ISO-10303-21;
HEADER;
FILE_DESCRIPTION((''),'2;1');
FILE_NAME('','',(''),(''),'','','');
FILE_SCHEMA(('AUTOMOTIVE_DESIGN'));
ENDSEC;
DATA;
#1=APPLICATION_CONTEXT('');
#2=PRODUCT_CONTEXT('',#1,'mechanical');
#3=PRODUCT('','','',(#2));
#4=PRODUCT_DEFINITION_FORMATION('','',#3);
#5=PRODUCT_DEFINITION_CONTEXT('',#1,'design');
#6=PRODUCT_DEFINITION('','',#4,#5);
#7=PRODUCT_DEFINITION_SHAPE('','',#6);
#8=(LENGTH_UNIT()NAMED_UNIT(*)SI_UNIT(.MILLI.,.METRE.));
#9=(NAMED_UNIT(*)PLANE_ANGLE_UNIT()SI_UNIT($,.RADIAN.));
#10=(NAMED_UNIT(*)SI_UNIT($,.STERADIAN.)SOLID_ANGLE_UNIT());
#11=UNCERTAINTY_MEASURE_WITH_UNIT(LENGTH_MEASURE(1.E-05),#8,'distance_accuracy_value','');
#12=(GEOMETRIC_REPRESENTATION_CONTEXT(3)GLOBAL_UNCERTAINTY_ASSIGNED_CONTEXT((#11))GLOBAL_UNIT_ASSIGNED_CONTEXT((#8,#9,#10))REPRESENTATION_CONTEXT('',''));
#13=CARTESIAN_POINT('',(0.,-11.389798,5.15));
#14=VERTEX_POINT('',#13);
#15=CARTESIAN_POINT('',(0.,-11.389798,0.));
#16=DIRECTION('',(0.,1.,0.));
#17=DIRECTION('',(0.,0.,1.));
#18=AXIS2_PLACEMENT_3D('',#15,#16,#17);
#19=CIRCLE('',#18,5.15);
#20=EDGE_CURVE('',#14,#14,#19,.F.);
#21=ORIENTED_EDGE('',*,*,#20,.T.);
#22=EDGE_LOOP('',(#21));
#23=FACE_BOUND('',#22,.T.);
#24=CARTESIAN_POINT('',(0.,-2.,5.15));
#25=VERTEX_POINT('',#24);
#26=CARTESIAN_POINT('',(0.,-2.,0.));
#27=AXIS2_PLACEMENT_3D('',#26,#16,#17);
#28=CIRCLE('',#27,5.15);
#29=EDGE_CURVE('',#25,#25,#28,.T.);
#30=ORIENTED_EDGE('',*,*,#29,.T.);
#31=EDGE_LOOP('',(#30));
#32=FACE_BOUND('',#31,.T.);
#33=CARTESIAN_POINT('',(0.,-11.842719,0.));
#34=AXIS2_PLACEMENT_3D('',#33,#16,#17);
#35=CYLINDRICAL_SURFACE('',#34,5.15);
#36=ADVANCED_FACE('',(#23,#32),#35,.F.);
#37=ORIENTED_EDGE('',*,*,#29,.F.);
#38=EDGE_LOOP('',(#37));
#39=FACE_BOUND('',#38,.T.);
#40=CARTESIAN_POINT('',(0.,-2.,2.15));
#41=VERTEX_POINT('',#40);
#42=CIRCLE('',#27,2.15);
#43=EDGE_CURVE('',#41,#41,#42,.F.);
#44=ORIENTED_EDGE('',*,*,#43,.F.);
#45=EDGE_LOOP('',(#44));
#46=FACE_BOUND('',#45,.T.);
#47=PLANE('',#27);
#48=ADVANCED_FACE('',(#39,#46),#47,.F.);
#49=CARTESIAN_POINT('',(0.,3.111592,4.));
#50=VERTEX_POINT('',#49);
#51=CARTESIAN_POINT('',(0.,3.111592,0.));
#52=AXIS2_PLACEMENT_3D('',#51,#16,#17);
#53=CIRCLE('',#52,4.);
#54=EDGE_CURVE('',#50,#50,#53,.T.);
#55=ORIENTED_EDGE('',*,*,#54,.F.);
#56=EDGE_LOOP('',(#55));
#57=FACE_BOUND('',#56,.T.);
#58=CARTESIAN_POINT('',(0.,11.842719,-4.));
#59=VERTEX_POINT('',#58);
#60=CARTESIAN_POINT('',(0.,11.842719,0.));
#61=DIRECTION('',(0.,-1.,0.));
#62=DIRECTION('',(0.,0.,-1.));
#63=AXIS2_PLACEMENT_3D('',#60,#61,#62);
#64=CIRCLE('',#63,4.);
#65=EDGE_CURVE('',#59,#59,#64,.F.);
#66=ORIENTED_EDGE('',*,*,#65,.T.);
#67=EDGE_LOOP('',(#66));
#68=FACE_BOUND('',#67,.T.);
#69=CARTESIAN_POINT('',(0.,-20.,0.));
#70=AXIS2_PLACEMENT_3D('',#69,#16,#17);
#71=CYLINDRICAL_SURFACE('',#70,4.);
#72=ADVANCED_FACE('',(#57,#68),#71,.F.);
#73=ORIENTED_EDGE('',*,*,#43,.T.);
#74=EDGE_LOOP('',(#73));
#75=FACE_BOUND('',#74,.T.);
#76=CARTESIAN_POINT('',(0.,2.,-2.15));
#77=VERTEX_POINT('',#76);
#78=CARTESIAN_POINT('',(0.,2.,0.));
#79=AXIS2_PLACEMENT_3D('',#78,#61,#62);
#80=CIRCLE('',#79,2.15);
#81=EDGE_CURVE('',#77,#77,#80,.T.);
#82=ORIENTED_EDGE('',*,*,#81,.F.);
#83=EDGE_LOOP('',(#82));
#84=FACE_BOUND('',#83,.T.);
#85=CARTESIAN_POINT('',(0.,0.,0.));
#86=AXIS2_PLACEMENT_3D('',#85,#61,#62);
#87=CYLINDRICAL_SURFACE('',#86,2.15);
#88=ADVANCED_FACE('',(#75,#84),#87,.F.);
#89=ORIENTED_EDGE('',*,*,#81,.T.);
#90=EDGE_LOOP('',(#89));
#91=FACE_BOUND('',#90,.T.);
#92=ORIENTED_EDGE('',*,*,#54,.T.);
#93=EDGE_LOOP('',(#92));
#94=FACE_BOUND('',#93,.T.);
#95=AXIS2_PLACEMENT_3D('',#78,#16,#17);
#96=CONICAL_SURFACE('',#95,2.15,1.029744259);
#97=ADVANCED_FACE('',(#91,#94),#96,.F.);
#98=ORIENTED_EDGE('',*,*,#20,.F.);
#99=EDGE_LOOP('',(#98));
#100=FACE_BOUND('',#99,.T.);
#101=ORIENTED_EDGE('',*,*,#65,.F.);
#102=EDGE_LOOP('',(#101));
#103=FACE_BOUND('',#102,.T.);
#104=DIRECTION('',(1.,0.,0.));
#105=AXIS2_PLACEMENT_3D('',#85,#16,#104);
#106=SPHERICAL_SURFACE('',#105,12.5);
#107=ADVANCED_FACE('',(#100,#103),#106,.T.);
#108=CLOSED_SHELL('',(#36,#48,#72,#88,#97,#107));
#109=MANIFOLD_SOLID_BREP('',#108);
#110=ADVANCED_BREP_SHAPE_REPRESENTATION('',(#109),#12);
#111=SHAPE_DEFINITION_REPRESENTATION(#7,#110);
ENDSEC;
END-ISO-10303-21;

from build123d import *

# Parameters (mm, degrees)
SKIZZE3_R                       = 4
SCHNITT_LINEAR_AUSTRAGEN1_DEPTH = 20
SCHNITT_LINEAR_START            = -2
SKIZZE6_R                       = 5.15
SCHNITT_LINEAR_AUSTRAGEN2_DEPTH = 10.842719282


with BuildPart() as part:
    # Skizze1 → Rotation1 (revolve)
    with BuildSketch(Plane.XY):
        with BuildLine():
            Line((0, 12.5), (0, -12.5))
            ThreePointArc((0, -12.5), (-12.5, 0), (0, 12.5))
        make_face()
    revolve(axis=Axis((0, 27.42628623, 0), (0, -1, 0)))

    # Skizze3 → Schnitt-Linear austragen1 (cut, symmetric)
    with BuildSketch(Plane(origin=(0, 0, 0), x_dir=(1, 0, 0), z_dir=(0, 1, 0))):
        Circle(SKIZZE3_R)
    extrude(amount=SCHNITT_LINEAR_AUSTRAGEN1_DEPTH, both=True, mode=Mode.SUBTRACT)

    # Skizze5 → Rotation2 (revolve)
    with BuildSketch(Plane(origin=(0, 0, 0), x_dir=(0, 0, -1), z_dir=(1, 0, 0))):
        Polygon((-2.15, 0), (-2.15, 2), (-5, 3.712452764), (-5, 0), align=None)
    rotation2 = revolve(axis=Axis((0, 0, 0), (0, 1, 0)))

    # Spiegeln1: Rotation2 across plane
    add(rotation2.mirror(Plane.ZX))

    # Skizze6 → Schnitt-Linear austragen2 (cut, through all)
    with BuildSketch(Plane(origin=(0, 0, 0), x_dir=(1, 0, 0), z_dir=(0, 1, 0)).offset(SCHNITT_LINEAR_START)):
        Circle(SKIZZE6_R)
    extrude(amount=-SCHNITT_LINEAR_AUSTRAGEN2_DEPTH, mode=Mode.SUBTRACT)


solid = part.part
